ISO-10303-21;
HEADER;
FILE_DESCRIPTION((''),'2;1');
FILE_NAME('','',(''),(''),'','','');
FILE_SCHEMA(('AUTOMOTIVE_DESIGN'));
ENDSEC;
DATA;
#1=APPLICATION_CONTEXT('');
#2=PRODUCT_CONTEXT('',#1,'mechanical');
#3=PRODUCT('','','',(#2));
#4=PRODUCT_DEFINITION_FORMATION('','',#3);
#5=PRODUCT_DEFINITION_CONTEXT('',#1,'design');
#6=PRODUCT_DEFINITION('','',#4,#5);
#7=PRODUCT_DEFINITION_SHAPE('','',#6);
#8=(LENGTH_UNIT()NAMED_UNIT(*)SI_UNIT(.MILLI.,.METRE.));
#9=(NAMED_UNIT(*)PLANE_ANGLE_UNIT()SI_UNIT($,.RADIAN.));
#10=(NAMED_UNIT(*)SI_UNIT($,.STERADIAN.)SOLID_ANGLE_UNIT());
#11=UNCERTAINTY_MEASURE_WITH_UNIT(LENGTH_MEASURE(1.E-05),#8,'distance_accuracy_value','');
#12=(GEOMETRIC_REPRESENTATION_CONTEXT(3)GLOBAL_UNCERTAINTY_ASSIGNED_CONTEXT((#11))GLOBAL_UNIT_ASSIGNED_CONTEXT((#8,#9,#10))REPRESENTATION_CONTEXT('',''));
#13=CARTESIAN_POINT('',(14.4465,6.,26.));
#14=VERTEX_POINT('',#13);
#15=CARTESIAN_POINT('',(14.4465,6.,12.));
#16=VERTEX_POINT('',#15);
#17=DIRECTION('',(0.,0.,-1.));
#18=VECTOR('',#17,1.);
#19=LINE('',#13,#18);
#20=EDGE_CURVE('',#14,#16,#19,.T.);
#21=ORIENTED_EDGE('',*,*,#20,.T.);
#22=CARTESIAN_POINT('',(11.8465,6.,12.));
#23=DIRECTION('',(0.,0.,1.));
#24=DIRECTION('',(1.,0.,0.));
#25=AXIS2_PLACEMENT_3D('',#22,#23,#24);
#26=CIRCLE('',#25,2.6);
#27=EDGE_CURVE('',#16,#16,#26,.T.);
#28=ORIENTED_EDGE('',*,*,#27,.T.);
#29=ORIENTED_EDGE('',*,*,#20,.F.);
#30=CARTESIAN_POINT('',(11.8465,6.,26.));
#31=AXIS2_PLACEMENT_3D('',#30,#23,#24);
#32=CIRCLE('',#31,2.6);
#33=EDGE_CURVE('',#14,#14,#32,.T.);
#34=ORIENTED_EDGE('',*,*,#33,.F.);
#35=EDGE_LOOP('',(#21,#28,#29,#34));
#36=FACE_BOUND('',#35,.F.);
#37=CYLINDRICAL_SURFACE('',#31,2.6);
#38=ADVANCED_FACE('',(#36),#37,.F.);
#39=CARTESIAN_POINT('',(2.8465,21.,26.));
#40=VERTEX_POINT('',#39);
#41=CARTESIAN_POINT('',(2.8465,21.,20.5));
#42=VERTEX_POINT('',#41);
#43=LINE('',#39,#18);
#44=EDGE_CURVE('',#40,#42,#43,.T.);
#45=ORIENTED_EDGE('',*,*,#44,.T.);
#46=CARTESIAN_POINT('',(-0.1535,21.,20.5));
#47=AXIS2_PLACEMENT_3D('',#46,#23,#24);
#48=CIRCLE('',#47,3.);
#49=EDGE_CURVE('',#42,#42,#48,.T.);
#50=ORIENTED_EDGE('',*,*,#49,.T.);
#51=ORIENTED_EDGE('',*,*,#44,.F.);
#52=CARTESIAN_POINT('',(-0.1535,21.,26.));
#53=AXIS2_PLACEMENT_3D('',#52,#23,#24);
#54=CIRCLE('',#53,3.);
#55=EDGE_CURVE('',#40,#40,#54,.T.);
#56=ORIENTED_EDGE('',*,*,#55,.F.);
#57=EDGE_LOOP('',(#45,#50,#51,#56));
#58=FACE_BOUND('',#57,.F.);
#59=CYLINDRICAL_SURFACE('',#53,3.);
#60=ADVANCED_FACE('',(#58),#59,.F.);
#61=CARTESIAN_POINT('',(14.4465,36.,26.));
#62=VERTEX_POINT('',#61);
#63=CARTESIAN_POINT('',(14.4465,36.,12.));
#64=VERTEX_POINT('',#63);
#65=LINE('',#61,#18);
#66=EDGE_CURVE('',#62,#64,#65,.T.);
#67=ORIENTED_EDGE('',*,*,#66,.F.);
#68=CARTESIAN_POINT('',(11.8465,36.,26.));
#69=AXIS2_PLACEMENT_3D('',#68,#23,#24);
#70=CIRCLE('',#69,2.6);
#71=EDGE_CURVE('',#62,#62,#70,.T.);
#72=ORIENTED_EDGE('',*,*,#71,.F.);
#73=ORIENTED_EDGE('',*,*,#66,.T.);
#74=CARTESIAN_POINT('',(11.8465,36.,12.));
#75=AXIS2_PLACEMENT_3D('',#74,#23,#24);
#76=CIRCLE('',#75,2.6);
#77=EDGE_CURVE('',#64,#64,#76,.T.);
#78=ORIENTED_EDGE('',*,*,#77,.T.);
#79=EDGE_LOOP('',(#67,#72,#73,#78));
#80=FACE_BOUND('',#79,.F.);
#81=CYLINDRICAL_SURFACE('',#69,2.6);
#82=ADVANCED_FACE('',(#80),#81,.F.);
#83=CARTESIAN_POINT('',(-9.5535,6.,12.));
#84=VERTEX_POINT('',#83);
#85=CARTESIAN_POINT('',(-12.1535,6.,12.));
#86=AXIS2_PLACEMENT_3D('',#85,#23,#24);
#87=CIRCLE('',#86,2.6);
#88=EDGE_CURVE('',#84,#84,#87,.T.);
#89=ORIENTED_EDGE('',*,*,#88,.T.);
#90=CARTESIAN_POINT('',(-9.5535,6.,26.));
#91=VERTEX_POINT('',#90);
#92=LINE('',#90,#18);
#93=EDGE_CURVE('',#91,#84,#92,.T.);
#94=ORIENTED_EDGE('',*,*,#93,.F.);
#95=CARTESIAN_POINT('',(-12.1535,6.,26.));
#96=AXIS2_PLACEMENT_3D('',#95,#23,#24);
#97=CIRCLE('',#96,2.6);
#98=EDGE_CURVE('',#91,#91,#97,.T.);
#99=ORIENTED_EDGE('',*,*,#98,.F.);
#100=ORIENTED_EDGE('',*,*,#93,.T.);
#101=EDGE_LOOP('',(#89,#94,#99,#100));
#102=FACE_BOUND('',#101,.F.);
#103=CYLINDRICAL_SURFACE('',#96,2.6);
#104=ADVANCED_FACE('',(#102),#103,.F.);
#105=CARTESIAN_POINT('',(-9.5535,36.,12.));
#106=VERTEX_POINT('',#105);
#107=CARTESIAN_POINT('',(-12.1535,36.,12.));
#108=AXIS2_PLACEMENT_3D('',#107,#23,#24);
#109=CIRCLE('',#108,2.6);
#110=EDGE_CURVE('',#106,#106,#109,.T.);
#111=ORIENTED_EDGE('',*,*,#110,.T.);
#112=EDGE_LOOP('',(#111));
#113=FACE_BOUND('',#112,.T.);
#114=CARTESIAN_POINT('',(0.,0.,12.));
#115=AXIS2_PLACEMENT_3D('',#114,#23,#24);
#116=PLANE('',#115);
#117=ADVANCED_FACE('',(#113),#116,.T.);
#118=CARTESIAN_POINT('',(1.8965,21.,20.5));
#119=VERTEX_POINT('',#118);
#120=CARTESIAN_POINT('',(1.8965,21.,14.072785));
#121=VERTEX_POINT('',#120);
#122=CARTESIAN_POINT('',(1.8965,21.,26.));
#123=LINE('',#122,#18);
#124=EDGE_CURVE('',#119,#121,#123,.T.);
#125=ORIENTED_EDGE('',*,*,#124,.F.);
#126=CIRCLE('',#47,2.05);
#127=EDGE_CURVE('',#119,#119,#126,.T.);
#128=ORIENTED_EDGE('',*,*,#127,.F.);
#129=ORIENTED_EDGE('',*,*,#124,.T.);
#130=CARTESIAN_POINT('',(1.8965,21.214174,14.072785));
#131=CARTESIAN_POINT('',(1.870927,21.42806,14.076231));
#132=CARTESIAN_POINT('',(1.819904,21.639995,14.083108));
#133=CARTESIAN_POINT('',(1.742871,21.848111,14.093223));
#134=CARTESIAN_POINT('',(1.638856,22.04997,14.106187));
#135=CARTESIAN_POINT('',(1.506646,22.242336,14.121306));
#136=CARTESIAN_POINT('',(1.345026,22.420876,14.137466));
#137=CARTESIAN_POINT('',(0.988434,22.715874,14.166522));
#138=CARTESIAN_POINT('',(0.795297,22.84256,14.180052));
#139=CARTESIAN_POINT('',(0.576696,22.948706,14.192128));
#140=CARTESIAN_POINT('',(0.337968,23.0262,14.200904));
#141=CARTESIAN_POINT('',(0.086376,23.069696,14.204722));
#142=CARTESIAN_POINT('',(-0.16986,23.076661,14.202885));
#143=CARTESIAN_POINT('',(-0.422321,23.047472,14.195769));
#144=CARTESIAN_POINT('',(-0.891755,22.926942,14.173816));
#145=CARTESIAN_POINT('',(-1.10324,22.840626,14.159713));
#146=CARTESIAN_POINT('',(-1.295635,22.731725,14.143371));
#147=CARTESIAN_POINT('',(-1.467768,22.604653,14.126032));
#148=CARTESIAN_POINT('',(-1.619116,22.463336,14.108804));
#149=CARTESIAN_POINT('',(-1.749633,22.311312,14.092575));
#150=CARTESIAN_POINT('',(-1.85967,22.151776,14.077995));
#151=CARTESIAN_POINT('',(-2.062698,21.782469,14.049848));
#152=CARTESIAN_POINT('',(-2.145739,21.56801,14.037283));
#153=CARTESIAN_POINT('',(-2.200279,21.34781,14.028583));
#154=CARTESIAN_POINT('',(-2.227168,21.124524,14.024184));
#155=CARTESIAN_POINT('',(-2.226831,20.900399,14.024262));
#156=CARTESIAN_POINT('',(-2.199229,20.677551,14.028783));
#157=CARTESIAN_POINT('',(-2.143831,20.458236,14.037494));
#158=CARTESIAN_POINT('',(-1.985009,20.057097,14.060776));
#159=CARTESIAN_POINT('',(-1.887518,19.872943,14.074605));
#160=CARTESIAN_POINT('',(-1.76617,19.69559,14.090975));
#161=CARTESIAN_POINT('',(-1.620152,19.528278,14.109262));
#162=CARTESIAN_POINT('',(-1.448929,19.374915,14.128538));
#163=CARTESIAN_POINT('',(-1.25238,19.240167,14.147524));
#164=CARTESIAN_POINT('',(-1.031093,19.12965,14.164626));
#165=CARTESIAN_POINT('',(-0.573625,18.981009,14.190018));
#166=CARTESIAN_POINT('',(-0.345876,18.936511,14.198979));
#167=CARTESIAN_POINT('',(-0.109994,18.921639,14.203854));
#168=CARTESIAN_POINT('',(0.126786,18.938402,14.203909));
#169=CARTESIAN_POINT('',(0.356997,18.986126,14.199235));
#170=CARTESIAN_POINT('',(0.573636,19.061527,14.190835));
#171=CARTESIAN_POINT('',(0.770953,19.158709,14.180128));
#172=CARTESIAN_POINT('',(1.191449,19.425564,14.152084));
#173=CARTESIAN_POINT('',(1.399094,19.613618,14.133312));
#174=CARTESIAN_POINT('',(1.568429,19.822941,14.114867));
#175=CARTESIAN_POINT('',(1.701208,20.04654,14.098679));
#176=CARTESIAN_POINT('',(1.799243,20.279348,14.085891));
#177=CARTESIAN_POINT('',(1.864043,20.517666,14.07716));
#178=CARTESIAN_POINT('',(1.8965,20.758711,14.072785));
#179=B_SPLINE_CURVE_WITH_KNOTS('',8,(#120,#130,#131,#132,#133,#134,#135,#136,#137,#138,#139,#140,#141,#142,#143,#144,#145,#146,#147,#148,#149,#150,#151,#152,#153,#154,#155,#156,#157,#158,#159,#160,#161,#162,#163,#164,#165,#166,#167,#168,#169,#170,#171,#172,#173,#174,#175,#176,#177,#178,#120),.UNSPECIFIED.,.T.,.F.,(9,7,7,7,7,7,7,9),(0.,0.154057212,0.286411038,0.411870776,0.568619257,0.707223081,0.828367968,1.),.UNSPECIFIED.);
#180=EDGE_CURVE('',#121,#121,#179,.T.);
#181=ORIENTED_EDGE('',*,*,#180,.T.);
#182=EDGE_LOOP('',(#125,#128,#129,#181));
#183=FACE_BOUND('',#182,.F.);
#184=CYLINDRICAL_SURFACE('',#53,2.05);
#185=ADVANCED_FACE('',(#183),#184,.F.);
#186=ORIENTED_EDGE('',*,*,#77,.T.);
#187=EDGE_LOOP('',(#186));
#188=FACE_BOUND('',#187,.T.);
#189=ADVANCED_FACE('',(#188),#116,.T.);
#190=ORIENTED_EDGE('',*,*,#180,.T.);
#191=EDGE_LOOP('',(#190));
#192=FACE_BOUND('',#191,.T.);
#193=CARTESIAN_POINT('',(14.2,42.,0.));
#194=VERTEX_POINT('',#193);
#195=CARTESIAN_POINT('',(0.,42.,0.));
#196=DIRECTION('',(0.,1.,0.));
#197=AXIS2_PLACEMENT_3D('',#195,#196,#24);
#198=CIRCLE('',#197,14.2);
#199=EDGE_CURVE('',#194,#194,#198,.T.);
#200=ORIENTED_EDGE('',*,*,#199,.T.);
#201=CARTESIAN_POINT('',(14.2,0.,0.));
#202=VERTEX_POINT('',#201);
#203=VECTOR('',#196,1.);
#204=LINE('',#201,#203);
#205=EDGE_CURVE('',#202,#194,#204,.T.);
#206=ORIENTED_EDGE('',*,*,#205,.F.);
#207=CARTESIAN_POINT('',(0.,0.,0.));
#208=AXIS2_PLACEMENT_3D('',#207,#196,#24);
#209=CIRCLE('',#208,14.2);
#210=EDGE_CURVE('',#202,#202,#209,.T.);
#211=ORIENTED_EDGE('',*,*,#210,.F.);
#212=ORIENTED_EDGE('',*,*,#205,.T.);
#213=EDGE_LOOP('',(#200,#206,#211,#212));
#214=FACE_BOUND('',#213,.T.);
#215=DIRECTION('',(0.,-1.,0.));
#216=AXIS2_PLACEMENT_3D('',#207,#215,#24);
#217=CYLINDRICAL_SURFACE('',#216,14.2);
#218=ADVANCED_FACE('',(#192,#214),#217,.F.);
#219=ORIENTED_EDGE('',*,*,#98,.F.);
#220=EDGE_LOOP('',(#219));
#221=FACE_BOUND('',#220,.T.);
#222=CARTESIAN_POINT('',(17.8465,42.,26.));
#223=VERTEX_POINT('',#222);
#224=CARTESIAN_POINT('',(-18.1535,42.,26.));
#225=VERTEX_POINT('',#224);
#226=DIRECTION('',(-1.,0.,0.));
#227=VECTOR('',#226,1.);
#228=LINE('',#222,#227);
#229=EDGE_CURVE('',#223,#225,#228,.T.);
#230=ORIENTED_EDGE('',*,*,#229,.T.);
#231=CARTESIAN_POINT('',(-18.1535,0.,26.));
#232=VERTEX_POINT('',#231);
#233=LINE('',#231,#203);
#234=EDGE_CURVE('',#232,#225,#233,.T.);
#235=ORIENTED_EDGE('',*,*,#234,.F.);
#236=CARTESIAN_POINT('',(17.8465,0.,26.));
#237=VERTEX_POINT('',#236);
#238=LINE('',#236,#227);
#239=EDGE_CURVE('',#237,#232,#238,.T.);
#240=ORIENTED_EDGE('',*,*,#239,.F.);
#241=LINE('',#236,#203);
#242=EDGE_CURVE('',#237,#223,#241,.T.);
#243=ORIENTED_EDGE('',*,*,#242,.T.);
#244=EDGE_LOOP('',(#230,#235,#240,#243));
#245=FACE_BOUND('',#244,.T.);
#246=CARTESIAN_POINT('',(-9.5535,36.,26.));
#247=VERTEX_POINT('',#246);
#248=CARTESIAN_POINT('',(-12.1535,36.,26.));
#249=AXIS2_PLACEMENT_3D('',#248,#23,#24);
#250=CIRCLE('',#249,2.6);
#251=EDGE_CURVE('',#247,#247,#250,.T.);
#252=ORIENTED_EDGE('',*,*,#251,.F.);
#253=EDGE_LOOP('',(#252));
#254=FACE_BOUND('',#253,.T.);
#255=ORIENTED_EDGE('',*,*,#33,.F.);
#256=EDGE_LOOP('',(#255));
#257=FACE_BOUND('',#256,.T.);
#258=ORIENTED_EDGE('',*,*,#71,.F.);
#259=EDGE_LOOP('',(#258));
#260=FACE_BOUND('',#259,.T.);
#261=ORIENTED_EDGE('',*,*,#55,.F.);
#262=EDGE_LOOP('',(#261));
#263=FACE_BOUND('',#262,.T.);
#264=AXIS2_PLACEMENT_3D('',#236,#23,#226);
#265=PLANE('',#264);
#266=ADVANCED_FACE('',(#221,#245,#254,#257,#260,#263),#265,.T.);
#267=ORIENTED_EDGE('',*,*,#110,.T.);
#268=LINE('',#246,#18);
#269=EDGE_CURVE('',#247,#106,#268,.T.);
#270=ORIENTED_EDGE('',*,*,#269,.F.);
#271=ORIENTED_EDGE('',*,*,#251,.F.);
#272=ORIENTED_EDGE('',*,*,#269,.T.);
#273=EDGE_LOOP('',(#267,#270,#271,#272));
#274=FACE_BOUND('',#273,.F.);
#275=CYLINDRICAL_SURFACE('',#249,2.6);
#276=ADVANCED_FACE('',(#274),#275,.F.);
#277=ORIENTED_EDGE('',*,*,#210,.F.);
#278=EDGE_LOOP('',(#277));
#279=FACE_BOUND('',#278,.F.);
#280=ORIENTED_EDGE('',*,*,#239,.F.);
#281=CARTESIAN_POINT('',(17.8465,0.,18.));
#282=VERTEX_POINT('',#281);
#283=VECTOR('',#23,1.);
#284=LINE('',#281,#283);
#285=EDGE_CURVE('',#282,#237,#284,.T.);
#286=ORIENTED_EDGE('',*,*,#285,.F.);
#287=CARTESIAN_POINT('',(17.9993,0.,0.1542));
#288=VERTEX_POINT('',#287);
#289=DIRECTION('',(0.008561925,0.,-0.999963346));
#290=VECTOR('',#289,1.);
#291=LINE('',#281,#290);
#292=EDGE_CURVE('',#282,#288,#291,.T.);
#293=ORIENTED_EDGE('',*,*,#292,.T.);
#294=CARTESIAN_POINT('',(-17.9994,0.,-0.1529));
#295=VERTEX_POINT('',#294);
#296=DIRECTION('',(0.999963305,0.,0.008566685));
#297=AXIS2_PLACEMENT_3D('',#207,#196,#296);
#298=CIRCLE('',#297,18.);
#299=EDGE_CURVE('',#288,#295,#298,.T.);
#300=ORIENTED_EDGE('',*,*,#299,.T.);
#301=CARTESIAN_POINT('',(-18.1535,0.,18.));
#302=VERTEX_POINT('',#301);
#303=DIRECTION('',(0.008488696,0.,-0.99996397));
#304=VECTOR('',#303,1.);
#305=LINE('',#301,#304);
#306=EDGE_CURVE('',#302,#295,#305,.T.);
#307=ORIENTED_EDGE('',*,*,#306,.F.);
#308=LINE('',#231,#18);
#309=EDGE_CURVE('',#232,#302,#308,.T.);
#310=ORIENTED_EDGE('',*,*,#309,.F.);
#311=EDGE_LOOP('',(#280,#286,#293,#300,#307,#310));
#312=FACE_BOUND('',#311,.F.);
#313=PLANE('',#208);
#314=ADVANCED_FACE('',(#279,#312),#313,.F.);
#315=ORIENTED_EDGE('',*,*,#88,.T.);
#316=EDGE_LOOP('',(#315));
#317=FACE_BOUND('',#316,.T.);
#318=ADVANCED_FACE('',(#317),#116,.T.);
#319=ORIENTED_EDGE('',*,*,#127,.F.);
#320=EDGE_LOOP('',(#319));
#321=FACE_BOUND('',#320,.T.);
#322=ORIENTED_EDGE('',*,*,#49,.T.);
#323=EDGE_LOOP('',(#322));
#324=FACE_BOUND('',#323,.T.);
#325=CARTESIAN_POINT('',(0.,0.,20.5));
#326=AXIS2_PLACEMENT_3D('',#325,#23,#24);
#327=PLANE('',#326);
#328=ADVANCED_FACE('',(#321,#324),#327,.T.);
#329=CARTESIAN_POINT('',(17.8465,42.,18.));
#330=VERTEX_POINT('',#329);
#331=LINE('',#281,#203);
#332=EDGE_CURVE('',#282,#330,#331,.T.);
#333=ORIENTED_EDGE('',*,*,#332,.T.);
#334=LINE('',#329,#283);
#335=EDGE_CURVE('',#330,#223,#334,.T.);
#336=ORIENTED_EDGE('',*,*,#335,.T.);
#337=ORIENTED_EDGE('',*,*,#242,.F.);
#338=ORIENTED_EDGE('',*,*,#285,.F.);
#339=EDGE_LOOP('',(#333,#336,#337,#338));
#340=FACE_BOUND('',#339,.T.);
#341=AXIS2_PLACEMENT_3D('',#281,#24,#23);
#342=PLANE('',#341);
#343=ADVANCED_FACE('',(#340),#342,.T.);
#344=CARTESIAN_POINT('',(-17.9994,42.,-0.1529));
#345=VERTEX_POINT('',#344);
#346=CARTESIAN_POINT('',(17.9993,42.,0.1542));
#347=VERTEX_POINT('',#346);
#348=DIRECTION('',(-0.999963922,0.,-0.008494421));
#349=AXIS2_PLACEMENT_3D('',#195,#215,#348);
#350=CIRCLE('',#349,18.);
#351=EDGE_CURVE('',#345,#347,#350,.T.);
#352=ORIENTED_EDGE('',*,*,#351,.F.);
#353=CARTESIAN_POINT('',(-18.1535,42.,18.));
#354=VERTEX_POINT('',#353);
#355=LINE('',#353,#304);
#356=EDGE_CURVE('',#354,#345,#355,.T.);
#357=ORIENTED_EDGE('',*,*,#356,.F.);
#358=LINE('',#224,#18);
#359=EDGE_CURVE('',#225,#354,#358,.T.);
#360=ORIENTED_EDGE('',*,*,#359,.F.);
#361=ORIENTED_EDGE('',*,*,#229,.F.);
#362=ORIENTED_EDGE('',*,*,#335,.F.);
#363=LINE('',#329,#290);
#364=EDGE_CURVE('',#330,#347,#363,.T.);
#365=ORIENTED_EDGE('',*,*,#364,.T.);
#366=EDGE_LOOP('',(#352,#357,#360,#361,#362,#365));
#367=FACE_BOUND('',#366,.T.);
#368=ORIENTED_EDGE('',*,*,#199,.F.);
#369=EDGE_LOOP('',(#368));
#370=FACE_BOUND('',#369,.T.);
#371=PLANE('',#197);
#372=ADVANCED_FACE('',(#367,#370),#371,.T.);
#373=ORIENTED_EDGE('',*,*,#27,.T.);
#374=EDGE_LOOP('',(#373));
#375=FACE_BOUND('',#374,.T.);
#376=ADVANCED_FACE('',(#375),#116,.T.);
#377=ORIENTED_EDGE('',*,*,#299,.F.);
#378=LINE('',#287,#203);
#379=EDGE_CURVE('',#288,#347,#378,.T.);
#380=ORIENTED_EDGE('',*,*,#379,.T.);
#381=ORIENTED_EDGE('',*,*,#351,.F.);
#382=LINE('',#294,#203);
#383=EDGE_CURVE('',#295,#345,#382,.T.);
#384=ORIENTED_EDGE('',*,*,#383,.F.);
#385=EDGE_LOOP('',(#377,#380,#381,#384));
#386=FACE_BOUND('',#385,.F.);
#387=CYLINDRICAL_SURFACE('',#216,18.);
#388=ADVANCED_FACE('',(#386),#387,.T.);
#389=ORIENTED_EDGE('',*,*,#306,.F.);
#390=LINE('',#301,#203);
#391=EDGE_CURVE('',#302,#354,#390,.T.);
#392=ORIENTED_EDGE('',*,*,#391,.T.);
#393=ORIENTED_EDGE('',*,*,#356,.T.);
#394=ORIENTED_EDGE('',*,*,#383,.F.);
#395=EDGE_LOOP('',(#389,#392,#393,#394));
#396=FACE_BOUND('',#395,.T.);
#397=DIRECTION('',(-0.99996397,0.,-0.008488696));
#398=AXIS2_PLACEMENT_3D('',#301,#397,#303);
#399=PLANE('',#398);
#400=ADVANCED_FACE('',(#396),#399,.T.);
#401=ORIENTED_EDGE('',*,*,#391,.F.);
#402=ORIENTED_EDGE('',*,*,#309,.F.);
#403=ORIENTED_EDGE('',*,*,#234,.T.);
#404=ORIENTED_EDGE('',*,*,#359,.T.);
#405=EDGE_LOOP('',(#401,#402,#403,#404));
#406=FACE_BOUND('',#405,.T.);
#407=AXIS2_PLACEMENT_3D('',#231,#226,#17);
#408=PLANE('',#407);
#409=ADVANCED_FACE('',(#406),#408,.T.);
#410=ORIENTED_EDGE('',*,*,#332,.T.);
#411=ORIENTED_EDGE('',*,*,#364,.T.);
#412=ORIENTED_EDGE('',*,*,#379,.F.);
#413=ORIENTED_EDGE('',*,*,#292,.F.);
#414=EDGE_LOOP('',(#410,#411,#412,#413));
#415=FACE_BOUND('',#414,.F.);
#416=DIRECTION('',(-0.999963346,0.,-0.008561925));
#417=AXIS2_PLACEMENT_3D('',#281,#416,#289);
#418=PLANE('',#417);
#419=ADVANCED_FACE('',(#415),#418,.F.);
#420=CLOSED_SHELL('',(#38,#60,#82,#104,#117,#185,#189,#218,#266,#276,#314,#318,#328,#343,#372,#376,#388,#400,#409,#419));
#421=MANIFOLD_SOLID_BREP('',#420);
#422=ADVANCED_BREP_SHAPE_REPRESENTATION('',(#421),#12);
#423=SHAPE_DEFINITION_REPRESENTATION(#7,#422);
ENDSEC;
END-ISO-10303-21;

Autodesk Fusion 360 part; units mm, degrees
sketch "Skizze1" plane through (0, 0, 0) normal (0, 1, 0) x (1, 0, 0)
  circle A0 centre (0, 0) radius 14.2
  line L0 (-18.1535, -18) -> (17.8465, -18)
  line L1 (17.8465, -18) -> (17.8465, -26)
  line L2 (17.8465, -26) -> (-18.1535, -26)
  line L3 (-18.1535, -26) -> (-18.1535, -18)
  line L4 (-18.1535, -18) -> (17.8465, -26) construction
  line L5 (17.8465, -18) -> (-18.1535, -26) construction
  circle A1 centre (0, 0) radius 18
  line L6 (-18.1535, -18) -> (-17.9994, 0.1529)
  line L7 (17.8465, -18) -> (17.9993, -0.1542)
  point P0 (-0.1535, -22)
  dimension "d1" = 28.4
  dimension "d2" = 36
  dimension "d3" = 8
  dimension "d4" = 36
extrude "Extrusion1" add sketch "Skizze1" along normal blind 42
sketch "Skizze3" plane through (0, 0, 26) normal (0, 0, 1) x (1, 0, 0)
  line L0 (-18.1535, 0) -> (17.8465, 0)
  line L1 (17.8465, 0) -> (17.8465, 42)
  line L2 (17.8465, 42) -> (-18.1535, 42)
  line L3 (-18.1535, 42) -> (-18.1535, 0)
  circle A0 centre (-12.1535, 36) radius 2.6
  circle A1 centre (11.8465, 36) radius 2.6
  circle A2 centre (-12.1535, 6) radius 2.6
  circle A3 centre (11.8465, 6) radius 2.6
  dimension "d7" = 5.2
  dimension "d8" = 5.2
  dimension "d9" = 5.2
  dimension "d10" = 5.2
  dimension "d11" = 24
  dimension "d12" = 24
  dimension "d13" = 30
  dimension "d14" = 30
  dimension "d15" = 6
  dimension "d16" = 6
  dimension "d17" = 6
extrude "Extrusion2" cut sketch "Skizze3" against normal blind 14 contours A0 | A1 | A2 | A3
sketch "Skizze4" plane through (0, 0, 26) normal (0, 0, 1) x (1, 0, 0)
  circle A0 centre (-12.1535, 6) radius 2.6
  circle A1 centre (11.8465, 36) radius 2.6
  circle A2 centre (-12.1535, 36) radius 2.6
  circle A3 centre (11.8465, 6) radius 2.6
  line L0 (-18.1535, 0) -> (17.8465, 0)
  line L1 (17.8465, 0) -> (17.8465, 42)
  line L2 (17.8465, 42) -> (-18.1535, 42)
  line L3 (-18.1535, 42) -> (-18.1535, 0)
  line L4 (-18.1535, 0) -> (17.8465, 42) construction
  line L5 (17.8465, 0) -> (-18.1535, 42) construction
  circle A4 centre (-0.1535, 21) radius 3
  circle A5 centre (-0.1535, 21) radius 2.05
  dimension "d20" = 6
  dimension "d21" = 4.1
extrude "Extrusion3" cut sketch "Skizze4" against normal blind 16 contours A5
extrude "Extrusion4" cut sketch "Skizze4" against normal blind 5.5 contours A4
equation "d8 = d7"
equation "d9 = d7"
equation "d10 = d7"
equation "d15 = ( ( 36 - 24 ) / 2 ) * 1 mm"
equation "d16 = ( ( 42 - 30 ) / 2 ) * 1 mm"
equation "d17 = d15"
